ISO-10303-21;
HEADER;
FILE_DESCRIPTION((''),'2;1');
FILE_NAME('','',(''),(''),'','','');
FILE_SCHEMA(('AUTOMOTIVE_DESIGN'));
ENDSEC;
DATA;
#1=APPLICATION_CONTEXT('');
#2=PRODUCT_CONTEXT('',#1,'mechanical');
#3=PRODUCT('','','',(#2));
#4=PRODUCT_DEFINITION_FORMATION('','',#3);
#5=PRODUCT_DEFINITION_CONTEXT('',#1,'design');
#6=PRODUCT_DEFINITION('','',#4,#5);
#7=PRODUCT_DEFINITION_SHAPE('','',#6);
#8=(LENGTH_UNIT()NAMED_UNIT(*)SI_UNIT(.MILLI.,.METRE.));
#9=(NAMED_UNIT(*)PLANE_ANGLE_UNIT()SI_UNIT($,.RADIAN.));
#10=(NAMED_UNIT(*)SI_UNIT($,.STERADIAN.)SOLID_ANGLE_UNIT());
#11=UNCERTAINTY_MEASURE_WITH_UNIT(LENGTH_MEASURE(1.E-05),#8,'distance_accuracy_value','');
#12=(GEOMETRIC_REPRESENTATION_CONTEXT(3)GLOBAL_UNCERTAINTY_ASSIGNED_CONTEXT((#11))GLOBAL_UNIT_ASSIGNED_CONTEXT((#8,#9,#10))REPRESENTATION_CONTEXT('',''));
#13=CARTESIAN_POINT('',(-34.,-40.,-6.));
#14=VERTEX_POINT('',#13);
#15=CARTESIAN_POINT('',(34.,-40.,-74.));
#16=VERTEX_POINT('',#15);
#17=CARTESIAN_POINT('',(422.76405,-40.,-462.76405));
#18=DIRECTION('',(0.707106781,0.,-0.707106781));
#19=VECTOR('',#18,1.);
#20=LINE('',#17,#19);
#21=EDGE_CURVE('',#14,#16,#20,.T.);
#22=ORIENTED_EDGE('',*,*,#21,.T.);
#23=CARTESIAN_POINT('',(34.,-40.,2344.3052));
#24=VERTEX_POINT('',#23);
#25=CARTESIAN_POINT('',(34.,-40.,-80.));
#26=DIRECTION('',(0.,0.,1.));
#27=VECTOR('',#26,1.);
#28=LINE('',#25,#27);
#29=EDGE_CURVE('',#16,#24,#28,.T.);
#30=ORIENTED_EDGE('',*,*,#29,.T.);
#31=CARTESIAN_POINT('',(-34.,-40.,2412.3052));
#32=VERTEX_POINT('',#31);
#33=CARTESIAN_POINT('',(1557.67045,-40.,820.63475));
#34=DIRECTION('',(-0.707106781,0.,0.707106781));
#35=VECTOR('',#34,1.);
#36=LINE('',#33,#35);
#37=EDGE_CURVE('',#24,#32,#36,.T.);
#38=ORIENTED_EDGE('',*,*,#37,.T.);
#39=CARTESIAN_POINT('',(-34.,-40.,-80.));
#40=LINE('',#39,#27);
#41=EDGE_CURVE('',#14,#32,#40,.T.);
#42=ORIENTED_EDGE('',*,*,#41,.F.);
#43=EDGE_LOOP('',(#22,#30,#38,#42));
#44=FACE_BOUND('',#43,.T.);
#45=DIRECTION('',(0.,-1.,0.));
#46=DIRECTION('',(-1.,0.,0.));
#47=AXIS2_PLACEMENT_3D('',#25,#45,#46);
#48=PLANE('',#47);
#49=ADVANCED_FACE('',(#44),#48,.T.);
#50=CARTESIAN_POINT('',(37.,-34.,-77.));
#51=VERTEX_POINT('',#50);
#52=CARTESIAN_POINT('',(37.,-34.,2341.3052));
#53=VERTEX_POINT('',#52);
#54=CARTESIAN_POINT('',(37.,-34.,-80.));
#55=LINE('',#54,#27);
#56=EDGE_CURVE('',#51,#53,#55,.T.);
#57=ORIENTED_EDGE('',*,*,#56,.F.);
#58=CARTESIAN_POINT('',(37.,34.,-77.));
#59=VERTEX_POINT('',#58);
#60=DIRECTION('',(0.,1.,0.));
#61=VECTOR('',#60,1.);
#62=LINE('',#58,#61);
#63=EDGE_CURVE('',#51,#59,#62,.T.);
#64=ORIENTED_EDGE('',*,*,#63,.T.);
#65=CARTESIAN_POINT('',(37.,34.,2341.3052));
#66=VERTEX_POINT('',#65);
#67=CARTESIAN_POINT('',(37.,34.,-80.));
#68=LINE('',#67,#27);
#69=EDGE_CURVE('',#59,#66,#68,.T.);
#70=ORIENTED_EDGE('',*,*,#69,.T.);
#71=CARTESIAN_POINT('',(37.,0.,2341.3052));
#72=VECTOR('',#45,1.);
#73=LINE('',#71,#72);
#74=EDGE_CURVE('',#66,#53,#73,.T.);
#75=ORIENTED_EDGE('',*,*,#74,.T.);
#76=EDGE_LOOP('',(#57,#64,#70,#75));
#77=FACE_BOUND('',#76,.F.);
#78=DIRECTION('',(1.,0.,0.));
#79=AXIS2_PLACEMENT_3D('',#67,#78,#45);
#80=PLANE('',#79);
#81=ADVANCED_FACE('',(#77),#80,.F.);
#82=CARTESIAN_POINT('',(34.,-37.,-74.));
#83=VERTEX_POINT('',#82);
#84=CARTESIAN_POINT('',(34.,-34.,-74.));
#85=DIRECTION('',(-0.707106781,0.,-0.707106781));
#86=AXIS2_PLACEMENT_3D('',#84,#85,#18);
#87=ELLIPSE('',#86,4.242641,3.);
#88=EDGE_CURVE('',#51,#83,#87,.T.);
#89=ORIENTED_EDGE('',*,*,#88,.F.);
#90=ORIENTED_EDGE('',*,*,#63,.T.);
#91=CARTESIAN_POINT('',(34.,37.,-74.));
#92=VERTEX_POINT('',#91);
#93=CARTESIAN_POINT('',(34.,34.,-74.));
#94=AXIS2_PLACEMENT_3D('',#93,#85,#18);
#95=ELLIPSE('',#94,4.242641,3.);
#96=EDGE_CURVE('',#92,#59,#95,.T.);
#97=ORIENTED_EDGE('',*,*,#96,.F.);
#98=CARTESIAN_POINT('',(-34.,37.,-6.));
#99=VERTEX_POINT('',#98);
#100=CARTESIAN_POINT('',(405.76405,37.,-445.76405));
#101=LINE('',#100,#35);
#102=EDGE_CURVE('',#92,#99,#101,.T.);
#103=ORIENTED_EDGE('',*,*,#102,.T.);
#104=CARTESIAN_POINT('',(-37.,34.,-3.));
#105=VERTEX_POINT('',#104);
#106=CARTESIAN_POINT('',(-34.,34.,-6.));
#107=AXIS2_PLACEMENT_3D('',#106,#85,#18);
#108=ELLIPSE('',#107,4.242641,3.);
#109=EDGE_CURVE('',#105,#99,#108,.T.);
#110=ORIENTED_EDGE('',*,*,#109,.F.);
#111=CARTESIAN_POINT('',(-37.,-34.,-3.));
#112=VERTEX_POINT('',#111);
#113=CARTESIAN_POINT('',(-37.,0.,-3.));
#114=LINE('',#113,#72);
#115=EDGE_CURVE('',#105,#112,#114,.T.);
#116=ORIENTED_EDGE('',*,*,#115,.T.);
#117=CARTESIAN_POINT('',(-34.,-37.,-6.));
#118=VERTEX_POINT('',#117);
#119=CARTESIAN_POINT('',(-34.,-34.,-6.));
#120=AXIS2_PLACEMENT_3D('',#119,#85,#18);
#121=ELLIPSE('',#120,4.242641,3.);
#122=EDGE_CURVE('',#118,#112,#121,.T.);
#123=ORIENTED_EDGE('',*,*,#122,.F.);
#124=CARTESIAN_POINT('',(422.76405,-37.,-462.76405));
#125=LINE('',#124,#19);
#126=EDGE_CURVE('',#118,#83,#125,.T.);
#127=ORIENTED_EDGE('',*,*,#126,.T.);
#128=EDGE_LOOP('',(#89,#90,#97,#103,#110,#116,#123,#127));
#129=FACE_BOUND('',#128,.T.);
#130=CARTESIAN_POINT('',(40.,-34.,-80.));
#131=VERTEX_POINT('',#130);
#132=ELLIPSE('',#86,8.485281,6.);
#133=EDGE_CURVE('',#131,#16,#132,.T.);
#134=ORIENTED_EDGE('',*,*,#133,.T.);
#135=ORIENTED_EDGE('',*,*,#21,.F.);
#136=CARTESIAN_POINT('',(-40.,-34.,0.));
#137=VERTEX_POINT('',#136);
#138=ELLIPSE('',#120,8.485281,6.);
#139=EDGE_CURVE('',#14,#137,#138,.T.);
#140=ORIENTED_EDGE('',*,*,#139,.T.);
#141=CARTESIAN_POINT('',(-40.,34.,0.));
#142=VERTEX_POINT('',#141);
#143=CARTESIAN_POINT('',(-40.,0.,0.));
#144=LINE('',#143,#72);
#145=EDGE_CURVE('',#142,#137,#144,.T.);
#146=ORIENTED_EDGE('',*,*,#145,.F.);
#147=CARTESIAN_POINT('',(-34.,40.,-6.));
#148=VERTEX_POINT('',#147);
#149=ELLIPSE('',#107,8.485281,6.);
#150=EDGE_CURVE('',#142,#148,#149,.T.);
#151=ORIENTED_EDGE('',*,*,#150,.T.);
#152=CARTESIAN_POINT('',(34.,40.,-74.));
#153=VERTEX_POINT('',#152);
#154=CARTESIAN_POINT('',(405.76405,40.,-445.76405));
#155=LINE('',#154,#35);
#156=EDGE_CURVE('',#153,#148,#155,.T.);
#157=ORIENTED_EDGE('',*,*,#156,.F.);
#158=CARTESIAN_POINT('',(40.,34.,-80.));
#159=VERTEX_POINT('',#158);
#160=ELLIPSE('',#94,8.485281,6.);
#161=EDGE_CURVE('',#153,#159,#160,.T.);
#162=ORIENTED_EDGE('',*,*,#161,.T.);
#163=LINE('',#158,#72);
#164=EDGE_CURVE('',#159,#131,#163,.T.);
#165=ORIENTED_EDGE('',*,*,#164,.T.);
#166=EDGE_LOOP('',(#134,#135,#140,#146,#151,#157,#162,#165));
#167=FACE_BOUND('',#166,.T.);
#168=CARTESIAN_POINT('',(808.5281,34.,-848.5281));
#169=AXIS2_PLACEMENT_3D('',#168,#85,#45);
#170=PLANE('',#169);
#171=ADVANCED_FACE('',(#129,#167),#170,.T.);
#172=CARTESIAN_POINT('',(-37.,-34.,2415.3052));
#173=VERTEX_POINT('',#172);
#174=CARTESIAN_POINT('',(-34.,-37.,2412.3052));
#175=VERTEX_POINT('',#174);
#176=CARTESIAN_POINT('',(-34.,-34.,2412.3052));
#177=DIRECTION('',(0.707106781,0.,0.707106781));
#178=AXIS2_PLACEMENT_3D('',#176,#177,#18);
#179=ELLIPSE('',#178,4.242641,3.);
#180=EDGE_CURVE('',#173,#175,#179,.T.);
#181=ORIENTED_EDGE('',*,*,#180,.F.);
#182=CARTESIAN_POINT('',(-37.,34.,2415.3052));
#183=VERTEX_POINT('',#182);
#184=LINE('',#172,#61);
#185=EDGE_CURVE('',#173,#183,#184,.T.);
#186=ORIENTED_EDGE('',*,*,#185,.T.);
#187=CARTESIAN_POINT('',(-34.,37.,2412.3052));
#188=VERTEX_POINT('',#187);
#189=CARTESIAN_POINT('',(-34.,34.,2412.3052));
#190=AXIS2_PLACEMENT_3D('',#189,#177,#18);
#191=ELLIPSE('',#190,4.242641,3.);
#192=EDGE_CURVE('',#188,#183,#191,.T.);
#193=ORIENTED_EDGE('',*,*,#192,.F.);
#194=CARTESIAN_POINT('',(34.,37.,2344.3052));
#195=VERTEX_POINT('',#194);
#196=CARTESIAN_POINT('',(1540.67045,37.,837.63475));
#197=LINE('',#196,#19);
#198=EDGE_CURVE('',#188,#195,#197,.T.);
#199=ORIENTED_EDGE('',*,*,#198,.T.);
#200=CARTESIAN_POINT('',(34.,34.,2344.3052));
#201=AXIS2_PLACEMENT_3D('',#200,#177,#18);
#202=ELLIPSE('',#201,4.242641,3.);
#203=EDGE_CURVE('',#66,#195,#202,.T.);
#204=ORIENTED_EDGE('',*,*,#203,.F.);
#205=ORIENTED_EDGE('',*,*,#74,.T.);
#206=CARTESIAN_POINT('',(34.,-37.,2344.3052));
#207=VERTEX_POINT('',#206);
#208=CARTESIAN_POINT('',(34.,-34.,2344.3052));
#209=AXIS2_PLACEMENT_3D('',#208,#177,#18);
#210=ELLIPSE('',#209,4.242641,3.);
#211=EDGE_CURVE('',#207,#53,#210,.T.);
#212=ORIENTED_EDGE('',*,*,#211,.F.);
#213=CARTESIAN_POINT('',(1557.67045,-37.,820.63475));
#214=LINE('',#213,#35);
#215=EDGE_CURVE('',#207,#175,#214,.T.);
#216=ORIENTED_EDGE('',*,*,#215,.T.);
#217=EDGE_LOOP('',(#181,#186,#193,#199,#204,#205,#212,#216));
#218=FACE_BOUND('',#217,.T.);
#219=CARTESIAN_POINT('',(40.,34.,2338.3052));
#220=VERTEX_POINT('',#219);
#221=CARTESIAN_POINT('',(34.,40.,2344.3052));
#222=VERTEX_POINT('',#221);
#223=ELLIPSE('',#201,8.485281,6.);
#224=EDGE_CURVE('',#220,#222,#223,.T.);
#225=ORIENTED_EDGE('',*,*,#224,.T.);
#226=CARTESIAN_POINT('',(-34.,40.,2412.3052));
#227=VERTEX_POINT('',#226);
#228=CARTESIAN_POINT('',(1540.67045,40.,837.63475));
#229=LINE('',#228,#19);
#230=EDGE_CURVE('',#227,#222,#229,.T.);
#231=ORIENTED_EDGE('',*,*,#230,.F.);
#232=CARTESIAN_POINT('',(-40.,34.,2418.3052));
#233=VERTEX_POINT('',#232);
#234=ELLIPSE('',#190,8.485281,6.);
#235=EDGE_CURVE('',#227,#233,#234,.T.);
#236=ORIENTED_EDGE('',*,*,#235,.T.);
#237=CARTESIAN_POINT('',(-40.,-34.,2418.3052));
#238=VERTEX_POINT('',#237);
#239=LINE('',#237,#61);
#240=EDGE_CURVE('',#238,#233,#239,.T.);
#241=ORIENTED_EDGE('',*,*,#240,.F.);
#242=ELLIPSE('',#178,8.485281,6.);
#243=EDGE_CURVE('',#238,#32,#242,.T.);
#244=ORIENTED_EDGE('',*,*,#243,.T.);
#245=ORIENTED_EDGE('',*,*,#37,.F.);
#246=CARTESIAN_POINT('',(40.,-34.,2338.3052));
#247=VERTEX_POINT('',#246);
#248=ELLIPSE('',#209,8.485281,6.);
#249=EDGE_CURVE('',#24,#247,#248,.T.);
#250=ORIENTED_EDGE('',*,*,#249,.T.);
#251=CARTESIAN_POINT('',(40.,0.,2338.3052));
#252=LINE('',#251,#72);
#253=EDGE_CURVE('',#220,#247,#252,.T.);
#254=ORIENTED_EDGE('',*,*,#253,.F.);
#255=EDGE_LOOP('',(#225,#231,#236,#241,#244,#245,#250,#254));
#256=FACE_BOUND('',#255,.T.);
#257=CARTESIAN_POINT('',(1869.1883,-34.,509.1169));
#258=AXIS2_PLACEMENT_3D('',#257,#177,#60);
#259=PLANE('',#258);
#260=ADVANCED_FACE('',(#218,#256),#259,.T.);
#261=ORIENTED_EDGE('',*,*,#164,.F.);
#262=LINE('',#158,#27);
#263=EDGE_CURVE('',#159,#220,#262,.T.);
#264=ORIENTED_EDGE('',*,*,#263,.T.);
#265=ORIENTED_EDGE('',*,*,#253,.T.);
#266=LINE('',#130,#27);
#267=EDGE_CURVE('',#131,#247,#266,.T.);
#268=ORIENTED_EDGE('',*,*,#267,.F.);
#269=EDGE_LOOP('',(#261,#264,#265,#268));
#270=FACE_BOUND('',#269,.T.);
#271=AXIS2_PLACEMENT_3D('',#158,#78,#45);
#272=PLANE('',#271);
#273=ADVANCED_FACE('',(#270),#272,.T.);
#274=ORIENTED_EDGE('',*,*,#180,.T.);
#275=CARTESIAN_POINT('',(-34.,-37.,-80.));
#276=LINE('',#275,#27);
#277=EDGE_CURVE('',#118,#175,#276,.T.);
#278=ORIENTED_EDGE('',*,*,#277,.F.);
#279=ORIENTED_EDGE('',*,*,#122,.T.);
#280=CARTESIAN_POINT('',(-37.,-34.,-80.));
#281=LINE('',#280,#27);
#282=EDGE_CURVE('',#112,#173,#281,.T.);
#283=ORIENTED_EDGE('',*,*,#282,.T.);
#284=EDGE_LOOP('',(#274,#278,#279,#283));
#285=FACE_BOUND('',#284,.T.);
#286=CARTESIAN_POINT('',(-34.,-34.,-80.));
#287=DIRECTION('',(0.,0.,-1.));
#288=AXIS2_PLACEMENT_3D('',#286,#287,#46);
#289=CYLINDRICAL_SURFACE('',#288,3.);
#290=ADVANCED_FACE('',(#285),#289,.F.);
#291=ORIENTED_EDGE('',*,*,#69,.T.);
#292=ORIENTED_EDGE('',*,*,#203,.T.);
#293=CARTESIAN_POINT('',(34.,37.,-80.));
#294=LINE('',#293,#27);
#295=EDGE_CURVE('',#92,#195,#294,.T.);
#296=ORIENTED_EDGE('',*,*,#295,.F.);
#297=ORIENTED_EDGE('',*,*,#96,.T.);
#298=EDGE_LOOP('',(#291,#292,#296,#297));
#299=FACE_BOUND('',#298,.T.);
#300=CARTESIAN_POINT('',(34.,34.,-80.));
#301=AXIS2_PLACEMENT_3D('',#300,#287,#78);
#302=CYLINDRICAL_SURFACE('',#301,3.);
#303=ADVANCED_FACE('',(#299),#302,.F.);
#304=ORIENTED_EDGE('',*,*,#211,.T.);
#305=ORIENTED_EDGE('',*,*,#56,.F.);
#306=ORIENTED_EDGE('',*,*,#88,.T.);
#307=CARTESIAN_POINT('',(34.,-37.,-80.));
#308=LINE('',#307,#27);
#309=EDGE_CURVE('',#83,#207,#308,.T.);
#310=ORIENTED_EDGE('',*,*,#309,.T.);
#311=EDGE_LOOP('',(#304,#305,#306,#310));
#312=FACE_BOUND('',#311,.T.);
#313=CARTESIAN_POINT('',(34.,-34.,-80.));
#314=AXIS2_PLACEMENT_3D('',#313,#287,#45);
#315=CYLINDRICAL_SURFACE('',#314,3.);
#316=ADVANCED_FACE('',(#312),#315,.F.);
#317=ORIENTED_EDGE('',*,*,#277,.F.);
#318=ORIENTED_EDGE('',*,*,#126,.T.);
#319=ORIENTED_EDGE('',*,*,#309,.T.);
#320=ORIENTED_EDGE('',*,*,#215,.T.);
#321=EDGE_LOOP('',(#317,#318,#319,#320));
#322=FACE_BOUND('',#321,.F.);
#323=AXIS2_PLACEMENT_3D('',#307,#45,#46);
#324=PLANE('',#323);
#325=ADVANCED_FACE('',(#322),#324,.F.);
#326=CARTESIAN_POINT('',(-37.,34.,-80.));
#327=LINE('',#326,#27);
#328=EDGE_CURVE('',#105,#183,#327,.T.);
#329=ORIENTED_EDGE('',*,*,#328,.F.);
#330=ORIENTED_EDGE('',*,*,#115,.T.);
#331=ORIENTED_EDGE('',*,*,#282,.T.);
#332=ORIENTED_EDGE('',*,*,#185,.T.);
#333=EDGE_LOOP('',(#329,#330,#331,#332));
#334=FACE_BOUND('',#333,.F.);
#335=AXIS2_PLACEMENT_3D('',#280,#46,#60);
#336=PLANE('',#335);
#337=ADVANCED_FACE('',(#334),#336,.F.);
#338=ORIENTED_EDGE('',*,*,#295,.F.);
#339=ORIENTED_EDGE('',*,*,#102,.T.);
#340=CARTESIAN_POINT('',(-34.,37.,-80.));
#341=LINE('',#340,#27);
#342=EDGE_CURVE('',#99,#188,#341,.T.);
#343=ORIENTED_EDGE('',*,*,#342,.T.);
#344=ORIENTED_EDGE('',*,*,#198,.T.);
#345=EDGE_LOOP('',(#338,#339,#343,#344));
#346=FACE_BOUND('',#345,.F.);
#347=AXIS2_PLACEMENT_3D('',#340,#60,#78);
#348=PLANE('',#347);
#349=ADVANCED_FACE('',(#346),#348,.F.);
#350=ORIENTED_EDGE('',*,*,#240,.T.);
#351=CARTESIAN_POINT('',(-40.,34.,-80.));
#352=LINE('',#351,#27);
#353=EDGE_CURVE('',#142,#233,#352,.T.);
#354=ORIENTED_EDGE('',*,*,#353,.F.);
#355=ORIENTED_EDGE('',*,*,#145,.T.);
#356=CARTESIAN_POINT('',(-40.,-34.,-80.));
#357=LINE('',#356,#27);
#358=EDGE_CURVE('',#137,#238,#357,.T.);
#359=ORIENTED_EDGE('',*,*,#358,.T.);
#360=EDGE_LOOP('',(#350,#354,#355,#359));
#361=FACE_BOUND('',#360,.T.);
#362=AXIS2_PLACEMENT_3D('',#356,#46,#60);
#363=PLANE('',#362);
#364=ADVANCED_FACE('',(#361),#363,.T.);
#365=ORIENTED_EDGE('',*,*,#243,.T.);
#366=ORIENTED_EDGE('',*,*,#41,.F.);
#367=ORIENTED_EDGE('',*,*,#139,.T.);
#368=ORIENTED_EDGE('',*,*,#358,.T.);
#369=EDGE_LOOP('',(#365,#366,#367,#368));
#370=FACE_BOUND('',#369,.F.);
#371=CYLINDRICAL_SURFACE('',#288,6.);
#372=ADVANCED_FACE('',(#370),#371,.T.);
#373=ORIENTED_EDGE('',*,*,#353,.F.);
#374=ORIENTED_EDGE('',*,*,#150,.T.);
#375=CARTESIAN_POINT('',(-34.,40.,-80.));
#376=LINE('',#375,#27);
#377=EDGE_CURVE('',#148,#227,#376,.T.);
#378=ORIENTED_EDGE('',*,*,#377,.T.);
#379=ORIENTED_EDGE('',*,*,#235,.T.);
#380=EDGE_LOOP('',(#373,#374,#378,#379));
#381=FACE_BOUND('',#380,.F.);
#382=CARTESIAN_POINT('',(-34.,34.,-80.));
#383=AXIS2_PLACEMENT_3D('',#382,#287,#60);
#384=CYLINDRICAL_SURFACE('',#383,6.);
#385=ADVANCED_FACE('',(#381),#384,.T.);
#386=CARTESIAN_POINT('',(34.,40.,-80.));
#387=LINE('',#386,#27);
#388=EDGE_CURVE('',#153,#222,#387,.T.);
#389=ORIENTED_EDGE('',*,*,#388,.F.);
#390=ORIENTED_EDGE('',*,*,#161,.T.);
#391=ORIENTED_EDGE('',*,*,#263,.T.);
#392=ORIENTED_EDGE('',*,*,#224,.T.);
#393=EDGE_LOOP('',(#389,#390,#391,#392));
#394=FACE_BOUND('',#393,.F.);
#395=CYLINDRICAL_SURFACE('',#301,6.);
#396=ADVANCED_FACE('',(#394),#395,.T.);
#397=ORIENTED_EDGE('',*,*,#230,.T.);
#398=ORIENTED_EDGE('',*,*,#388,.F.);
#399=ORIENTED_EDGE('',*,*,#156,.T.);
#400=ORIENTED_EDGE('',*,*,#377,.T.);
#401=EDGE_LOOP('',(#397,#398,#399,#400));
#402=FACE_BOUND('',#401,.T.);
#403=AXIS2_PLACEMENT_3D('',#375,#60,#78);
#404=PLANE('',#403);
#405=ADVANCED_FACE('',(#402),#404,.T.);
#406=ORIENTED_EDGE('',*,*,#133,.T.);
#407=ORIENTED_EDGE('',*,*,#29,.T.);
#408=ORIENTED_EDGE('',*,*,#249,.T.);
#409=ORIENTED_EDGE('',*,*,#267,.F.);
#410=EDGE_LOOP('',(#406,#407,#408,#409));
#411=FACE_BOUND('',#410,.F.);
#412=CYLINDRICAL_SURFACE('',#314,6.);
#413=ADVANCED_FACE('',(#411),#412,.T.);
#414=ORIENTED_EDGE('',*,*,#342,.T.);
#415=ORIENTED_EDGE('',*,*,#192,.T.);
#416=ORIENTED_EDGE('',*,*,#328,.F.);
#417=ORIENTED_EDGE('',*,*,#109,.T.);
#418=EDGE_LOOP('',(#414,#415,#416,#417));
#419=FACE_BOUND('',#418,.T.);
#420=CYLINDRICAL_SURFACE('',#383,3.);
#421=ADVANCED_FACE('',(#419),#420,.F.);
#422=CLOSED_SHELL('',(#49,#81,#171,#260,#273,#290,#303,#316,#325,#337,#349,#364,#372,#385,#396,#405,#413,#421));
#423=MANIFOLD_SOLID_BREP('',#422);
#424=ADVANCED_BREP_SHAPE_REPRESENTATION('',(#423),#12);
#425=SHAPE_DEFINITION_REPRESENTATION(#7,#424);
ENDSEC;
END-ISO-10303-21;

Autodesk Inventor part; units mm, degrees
ref_plane "Start Plane" through (0, 0, -80) normal (0, 0, 1) x (1, 0, 0)
ref_plane "End Plane" through (0, 0, 2418.3052) normal (0, 0, 1) x (1, 0, 0)
sketch "Sketch" plane through (0, 0, 0) normal (0, 0, 1) x (1, 0, 0)
  line L0 (-40, -34) -> (-40, 34)
  line L1 (-34, 40) -> (34, 40)
  line L2 (40, 34) -> (40, -34)
  line L3 (34, -40) -> (-34, -40)
  arc A0 (-40, -34) -> (-34, -40) centre (-34, -34) ccw
  arc A1 (40, 34) -> (34, 40) centre (34, 34) ccw
  arc A2 (-34, 40) -> (-40, 34) centre (-34, 34) ccw
  arc A3 (34, -40) -> (40, -34) centre (34, -34) ccw
  arc A4 (-34, 37) -> (-37, 34) centre (-34, 34) ccw
  line L4 (-34, 37) -> (34, 37)
  arc A5 (37, 34) -> (34, 37) centre (34, 34) ccw
  line L5 (37, 34) -> (37, -34)
  arc A6 (34, -37) -> (37, -34) centre (34, -34) ccw
  line L6 (34, -37) -> (-34, -37)
  arc A7 (-37, -34) -> (-34, -37) centre (-34, -34) ccw
  line L7 (-37, -34) -> (-37, 34)
  line L8 (0, 57.7397) -> (0, -57.7397) construction
  line L9 (-57.7397, 0) -> (57.7397, 0) construction
  dimension "d7" = 6
  dimension "d9" = 80
  dimension "d11" = 80
  dimension "d12" = 3
  dimension "d15" = 40
  dimension "d16" = 40
extrude "Body" add sketch "Sketch" along normal up to surface (2498.3052 mm away) from surface at -80
sketch "Sketch3" plane through (0, 0, 0) normal (0, 0, 1) x (1, 0, 0)
  line L0 (0, 0) -> (10, 0)
ref_plane "Work Plane3" through (0, 0, 0) normal (0, -1, 0) x (1, 0, 0)
ref_plane "Work Plane4" through (1869.1883, -34, 509.1169) normal (0.7071, 0, 0.7071) x (0.7071, 0, -0.7071)
split "Split1" plane through (1869.1883, -34, 509.1169) removes the side toward (0.7071, 0, 0.7071)
ref_plane "Work Plane5" through (808.5281, 34, -848.5281) normal (-0.7071, 0, -0.7071) x (-0.7071, 0, 0.7071)
split "Split2" plane through (808.5281, 34, -848.5281) removes the side toward (-0.7071, 0, -0.7071)
sketch "Sketch4" plane through (0, 0, 0) normal (0, -1, 0) x (1, 0, 0)
  line L0 (-2, -80) -> (12, -80) projected
  line L1 (-2, 2418.3052) -> (12, 2418.3052) projected
  dimension "d18" = 2498.3052
equation "\"d7\" = G_IR"
equation "\"d9\" = G_W"
equation "\"d11\" = G_H"
equation "\"d12\" = G_T"
equation "\"d15\" = 0.5 * d9"
equation "\"d16\" = 0.5 * d11"
equation "\"d3\" = G_L"
equation "\"G_W\" = 80"
equation "\"G_H\" = 80"
equation "\"G_T\" = 3"
equation "\"G_IR\" = 6"
equation "\"G_L\" = d18"
equation "\"G_OFFSET_END\" = 0"
equation "\"d14\" = G_OFFSET_END + B_L"
equation "\"B_L\" = 2418.30519"
properties part number "ISO 10799-2 - 80x80x3 - 2498.31" material "Steel, Mild"
